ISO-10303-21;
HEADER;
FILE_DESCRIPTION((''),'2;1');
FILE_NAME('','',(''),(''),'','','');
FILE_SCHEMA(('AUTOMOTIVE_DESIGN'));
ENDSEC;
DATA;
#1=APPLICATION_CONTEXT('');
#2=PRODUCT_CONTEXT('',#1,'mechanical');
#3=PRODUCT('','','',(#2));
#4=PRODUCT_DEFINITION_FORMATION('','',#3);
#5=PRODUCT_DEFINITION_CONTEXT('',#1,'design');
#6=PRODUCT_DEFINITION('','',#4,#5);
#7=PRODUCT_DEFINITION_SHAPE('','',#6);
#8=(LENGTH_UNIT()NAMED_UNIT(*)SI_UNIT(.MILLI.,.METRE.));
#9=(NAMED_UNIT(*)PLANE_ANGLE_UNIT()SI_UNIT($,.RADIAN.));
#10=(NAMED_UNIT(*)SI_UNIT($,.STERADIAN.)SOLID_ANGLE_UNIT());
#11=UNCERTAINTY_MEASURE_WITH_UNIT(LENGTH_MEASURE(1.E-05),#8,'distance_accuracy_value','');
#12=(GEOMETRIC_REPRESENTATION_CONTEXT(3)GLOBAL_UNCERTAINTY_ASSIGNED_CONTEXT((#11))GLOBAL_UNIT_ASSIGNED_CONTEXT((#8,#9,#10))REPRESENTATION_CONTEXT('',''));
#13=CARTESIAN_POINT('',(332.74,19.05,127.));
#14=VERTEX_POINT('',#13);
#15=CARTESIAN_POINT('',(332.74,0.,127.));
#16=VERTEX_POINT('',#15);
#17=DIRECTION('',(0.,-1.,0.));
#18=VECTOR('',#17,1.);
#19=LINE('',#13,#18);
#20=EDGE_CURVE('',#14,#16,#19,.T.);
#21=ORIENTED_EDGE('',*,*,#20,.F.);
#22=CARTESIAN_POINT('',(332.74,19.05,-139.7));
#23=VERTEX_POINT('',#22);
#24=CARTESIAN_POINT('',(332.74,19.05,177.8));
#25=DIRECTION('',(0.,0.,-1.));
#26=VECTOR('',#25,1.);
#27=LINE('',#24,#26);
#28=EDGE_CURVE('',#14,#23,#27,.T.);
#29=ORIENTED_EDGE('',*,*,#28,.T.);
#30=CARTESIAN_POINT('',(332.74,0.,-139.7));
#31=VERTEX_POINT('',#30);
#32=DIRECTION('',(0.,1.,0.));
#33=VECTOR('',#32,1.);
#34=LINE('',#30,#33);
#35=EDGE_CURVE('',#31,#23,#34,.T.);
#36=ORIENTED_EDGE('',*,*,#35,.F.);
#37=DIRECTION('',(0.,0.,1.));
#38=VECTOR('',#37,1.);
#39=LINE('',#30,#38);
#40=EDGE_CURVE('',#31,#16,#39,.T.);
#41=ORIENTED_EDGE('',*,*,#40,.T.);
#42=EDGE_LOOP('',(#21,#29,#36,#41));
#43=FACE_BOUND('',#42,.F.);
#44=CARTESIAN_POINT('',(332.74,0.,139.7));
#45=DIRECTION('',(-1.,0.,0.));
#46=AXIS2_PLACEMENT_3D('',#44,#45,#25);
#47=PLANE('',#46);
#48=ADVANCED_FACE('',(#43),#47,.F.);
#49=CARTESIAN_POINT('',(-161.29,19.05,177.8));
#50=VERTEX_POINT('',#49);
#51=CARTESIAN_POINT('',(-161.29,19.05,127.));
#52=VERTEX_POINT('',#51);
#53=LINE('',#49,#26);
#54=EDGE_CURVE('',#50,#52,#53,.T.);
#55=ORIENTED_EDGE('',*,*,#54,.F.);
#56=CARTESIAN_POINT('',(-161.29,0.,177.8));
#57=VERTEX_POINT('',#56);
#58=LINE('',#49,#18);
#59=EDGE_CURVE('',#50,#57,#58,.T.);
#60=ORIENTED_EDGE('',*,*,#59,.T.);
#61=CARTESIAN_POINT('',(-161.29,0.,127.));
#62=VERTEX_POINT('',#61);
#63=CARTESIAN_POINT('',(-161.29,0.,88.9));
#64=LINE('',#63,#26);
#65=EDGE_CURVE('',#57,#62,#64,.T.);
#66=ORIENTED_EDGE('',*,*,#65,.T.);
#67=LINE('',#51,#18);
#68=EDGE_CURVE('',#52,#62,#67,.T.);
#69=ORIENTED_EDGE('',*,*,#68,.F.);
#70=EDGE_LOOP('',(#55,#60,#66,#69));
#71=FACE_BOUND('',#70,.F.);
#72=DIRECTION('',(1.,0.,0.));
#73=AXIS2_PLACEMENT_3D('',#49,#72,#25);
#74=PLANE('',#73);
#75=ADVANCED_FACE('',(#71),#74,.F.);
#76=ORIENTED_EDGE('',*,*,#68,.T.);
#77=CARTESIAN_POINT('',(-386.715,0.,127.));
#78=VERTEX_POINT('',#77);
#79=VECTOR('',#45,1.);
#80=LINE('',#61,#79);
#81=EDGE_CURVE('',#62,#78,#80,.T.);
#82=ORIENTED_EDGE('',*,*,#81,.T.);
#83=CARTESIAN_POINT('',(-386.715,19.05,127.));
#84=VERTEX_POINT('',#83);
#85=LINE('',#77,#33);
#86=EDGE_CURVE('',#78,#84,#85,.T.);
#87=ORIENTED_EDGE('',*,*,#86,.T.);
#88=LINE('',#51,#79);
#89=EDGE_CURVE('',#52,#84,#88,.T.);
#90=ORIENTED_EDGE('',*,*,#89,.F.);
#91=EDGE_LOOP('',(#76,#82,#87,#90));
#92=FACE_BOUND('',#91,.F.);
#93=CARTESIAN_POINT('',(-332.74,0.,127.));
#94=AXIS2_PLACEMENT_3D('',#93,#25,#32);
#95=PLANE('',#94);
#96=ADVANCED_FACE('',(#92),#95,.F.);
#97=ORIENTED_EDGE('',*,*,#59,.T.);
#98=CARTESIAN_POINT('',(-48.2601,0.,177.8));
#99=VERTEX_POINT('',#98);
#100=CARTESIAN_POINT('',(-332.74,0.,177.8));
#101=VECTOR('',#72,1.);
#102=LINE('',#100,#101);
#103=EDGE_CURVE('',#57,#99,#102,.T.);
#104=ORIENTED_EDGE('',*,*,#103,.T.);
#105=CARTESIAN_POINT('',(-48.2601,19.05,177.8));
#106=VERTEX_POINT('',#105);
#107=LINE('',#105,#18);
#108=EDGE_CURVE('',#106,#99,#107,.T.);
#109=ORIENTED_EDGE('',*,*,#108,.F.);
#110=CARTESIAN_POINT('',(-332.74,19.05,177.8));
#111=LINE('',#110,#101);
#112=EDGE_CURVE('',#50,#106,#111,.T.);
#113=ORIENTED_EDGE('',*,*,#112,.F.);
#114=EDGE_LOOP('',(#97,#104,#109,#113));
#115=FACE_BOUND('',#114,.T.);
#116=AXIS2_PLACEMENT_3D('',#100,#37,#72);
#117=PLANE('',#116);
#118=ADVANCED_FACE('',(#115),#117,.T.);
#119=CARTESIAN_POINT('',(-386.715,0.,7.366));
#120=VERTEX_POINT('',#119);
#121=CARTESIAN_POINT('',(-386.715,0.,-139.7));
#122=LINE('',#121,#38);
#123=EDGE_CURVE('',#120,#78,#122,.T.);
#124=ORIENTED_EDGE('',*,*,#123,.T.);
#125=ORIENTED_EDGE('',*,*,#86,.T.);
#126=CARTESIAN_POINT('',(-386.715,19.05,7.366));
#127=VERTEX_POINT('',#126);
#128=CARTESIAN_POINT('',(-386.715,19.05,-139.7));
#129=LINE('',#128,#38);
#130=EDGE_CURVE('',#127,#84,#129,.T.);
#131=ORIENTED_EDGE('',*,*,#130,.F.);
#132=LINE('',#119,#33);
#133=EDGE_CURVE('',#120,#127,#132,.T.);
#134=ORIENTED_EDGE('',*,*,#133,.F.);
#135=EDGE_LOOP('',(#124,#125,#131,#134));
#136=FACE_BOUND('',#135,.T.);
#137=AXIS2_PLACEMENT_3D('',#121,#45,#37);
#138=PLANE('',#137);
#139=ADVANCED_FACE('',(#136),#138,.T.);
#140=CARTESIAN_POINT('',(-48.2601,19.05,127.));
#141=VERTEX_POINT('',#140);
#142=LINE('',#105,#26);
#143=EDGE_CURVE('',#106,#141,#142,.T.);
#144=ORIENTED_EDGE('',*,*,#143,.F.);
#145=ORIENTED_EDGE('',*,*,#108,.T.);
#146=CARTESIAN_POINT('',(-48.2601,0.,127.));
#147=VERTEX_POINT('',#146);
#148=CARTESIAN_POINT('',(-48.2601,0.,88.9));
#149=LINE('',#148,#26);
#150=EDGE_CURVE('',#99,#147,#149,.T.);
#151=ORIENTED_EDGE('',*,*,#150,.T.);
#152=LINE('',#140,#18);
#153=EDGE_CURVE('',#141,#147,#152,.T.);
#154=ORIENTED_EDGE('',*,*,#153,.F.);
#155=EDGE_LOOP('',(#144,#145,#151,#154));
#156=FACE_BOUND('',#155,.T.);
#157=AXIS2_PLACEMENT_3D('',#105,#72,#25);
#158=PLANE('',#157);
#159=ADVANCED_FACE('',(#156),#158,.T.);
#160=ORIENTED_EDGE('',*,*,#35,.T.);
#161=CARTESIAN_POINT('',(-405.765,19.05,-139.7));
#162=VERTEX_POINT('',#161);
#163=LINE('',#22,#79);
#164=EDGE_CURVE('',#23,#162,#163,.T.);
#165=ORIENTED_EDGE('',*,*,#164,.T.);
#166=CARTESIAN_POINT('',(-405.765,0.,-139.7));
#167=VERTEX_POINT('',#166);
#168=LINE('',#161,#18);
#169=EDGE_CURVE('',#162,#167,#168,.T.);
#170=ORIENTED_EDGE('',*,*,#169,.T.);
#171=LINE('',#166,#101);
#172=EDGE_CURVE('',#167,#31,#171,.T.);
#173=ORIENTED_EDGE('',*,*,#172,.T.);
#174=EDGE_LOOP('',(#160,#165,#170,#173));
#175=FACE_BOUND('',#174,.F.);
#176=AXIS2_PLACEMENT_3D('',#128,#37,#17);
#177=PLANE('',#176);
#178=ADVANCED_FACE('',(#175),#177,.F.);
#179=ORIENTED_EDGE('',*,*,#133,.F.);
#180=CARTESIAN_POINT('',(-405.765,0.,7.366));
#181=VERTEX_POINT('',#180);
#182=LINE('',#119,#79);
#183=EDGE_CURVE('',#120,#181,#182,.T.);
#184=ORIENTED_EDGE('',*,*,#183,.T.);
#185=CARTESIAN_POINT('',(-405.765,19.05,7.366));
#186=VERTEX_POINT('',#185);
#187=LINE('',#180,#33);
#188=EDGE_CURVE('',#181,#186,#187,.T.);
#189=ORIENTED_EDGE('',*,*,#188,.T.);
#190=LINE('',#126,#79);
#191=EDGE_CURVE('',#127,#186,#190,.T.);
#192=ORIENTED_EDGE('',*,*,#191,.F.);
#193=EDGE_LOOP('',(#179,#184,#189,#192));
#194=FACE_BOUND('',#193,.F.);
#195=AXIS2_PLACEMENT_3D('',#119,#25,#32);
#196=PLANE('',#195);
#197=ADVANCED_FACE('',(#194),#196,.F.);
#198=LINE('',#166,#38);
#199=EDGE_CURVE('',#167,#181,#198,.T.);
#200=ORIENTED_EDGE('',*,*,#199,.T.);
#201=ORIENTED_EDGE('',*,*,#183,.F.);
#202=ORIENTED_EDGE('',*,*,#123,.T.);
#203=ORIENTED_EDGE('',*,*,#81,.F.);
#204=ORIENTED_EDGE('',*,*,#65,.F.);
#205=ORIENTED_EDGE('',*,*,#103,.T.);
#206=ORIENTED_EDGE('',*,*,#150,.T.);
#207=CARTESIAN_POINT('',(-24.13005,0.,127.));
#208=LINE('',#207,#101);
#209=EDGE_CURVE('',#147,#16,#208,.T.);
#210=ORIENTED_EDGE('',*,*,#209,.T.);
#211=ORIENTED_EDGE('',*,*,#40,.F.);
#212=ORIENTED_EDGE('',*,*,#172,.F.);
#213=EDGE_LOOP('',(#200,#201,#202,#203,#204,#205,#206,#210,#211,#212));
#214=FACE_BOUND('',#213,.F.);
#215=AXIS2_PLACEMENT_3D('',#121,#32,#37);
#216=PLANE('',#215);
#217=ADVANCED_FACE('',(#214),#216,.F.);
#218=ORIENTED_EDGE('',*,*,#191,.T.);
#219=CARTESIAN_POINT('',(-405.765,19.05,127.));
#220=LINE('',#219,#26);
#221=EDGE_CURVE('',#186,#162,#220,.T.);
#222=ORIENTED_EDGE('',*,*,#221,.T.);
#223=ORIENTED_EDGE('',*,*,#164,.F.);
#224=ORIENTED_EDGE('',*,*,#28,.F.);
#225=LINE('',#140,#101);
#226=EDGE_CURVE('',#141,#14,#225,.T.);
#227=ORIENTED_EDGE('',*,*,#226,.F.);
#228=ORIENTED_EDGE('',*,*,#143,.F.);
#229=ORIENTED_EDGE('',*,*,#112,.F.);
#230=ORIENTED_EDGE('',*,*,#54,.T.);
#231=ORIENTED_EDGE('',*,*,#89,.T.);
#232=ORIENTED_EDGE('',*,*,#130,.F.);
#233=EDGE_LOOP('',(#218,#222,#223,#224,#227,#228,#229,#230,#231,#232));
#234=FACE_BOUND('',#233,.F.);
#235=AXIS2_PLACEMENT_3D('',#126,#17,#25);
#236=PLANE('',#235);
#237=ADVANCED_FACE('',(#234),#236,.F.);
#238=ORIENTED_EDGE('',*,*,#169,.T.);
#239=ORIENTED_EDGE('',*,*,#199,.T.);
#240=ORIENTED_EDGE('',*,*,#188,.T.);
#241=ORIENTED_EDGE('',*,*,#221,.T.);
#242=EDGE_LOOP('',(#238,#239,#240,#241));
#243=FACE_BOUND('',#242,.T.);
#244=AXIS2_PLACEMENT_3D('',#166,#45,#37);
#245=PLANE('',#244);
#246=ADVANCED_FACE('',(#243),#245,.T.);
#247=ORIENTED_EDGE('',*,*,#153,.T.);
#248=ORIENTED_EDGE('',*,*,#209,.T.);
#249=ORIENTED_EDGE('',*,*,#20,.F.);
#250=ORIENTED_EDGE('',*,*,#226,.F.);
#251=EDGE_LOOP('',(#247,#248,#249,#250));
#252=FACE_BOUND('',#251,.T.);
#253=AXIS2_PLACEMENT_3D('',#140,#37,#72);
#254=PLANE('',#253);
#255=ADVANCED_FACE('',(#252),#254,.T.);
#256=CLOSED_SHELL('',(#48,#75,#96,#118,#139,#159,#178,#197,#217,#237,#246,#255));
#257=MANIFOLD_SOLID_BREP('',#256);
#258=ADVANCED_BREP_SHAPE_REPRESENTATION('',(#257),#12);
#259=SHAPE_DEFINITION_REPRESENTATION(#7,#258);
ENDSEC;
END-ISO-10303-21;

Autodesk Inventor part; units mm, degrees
ref_plane "YZ Plane" through (0, 0, 0) normal (1, 0, 0) x (0, 1, 0)
ref_plane "XZ Plane" through (0, 0, 0) normal (0, 1, 0) x (-1, 0, 0)
ref_plane "XY Plane" through (0, 0, 0) normal (0, 0, 1) x (1, 0, 0)
sketch "Sketch1" plane through (0, 0, 0) normal (0, 1, 0) x (-1, 0, 0)
  line L0 (332.74, 139.7) -> (-332.74, 139.7)
  line L1 (-332.74, 139.7) -> (-332.74, -139.7)
  line L2 (-332.74, -139.7) -> (332.74, -139.7)
  line L3 (332.74, -139.7) -> (332.74, 139.7)
  line L4 (332.74, 139.7) -> (-332.74, -139.7) construction
  line L5 (-332.74, 139.7) -> (332.74, -139.7) construction
  point P0 (0, 0)
  dimension "d0" = 665.48
  dimension "d1" = 279.4
extrude "Extrusion1" add sketch "Sketch1" along normal blind 19.05
sketch "Sketch2" plane through (0, 19.05, 0) normal (0, 1, 0) x (1, 0, 0)
  circle A0 centre (73.2058, 76.2) radius 50.8
  circle A1 centre (-104.14, -139.7) radius 38.1
  line L0 (-332.74, -139.7) -> (332.74, -139.7) projected
  line L1 (332.74, -139.7) -> (332.74, 139.7) projected
  line L2 (332.74, 139.7) -> (-332.74, 139.7) projected
  line L3 (-332.74, 139.7) -> (-332.74, -139.7) projected
  circle A2 centre (-104.14, -139.7) radius 12.7
  circle A3 centre (73.2058, 76.2) radius 14.859
  point P0 (0, 0)
  dimension "d12" = 101.6
  dimension "d13" = 76.2
  dimension "d27" = 25.4
  dimension "d28" = 29.718
sketch "Sketch4" plane through (-332.74, 0, 139.7) normal (0, 0, 1) x (1, 0, 0)
  line L0 (0, 0) -> (665.48, 0) projected
  line L1 (665.48, 0) -> (665.48, 19.05) projected
  line L2 (0, 19.05) -> (665.48, 19.05) projected
  line L3 (0, 0) -> (0, 19.05) projected
  point P0 (332.74, 0)
extrude "Extrusion3" add sketch "Sketch4" along normal blind 38.1
sketch "Sketch5" plane through (0, 19.05, 0) normal (0, 1, 0) x (1, 0, 0)
  line L0 (-332.74, -177.8) -> (-161.29, -177.8)
  line L1 (-161.29, -177.8) -> (-161.29, -127)
  line L2 (-161.29, -127) -> (-332.74, -127)
  line L3 (-332.74, -127) -> (-332.74, -177.8)
  line L4 (332.74, -177.8) -> (-48.2601, -177.8)
  line L5 (-48.2601, -177.8) -> (-48.2601, -127)
  line L6 (-48.2601, -127) -> (332.74, -127)
  line L7 (332.74, -127) -> (332.74, -177.8)
  line L8 (332.74, -177.8) -> (-48.2601, -177.8)
  line L9 (-48.2601, -177.8) -> (-48.2601, -127)
  line L10 (-48.2601, -127) -> (332.74, -127)
  line L11 (332.74, -127) -> (332.74, -177.8)
  point P0 (0, 0)
  dimension "d18" = 171.45
  dimension "d19" = 50.8
extrude "Extrusion5" cut sketch "Sketch5" against normal blind 50.8
sketch "Sketch6" plane through (-332.74, 0, -139.7) normal (-1, 0, 0) x (0, 0, 1)
  line L0 (266.7, 0) -> (266.7, 19.05) projected
  line L1 (0, 19.05) -> (266.7, 19.05) projected
  line L2 (0, 0) -> (0, 19.05) projected
  line L3 (0, 0) -> (266.7, 0) projected
  point P0 (139.7, 0)
extrude "Extrusion6" add sketch "Sketch6" along normal blind 53.975
sketch "Sketch7" plane through (-386.715, 0, -139.7) normal (-1, 0, 0) x (0, 0, 1)
  line L0 (266.7, 19.05) -> (0, 19.05) projected
  line L1 (266.7, 19.05) -> (147.066, 19.05)
  line L2 (0, 0) -> (147.066, 0)
  line L3 (147.066, 0) -> (147.066, 19.05)
  line L4 (147.066, 19.05) -> (0, 19.05)
  line L5 (0, 19.05) -> (0, 0)
  point P0 (139.7, 0)
  dimension "d24" = 119.634
extrude "Extrusion7" add sketch "Sketch7" along normal blind 19.05
properties part number "Robot Shooter Support Wall" material "Wood (Birch)"
